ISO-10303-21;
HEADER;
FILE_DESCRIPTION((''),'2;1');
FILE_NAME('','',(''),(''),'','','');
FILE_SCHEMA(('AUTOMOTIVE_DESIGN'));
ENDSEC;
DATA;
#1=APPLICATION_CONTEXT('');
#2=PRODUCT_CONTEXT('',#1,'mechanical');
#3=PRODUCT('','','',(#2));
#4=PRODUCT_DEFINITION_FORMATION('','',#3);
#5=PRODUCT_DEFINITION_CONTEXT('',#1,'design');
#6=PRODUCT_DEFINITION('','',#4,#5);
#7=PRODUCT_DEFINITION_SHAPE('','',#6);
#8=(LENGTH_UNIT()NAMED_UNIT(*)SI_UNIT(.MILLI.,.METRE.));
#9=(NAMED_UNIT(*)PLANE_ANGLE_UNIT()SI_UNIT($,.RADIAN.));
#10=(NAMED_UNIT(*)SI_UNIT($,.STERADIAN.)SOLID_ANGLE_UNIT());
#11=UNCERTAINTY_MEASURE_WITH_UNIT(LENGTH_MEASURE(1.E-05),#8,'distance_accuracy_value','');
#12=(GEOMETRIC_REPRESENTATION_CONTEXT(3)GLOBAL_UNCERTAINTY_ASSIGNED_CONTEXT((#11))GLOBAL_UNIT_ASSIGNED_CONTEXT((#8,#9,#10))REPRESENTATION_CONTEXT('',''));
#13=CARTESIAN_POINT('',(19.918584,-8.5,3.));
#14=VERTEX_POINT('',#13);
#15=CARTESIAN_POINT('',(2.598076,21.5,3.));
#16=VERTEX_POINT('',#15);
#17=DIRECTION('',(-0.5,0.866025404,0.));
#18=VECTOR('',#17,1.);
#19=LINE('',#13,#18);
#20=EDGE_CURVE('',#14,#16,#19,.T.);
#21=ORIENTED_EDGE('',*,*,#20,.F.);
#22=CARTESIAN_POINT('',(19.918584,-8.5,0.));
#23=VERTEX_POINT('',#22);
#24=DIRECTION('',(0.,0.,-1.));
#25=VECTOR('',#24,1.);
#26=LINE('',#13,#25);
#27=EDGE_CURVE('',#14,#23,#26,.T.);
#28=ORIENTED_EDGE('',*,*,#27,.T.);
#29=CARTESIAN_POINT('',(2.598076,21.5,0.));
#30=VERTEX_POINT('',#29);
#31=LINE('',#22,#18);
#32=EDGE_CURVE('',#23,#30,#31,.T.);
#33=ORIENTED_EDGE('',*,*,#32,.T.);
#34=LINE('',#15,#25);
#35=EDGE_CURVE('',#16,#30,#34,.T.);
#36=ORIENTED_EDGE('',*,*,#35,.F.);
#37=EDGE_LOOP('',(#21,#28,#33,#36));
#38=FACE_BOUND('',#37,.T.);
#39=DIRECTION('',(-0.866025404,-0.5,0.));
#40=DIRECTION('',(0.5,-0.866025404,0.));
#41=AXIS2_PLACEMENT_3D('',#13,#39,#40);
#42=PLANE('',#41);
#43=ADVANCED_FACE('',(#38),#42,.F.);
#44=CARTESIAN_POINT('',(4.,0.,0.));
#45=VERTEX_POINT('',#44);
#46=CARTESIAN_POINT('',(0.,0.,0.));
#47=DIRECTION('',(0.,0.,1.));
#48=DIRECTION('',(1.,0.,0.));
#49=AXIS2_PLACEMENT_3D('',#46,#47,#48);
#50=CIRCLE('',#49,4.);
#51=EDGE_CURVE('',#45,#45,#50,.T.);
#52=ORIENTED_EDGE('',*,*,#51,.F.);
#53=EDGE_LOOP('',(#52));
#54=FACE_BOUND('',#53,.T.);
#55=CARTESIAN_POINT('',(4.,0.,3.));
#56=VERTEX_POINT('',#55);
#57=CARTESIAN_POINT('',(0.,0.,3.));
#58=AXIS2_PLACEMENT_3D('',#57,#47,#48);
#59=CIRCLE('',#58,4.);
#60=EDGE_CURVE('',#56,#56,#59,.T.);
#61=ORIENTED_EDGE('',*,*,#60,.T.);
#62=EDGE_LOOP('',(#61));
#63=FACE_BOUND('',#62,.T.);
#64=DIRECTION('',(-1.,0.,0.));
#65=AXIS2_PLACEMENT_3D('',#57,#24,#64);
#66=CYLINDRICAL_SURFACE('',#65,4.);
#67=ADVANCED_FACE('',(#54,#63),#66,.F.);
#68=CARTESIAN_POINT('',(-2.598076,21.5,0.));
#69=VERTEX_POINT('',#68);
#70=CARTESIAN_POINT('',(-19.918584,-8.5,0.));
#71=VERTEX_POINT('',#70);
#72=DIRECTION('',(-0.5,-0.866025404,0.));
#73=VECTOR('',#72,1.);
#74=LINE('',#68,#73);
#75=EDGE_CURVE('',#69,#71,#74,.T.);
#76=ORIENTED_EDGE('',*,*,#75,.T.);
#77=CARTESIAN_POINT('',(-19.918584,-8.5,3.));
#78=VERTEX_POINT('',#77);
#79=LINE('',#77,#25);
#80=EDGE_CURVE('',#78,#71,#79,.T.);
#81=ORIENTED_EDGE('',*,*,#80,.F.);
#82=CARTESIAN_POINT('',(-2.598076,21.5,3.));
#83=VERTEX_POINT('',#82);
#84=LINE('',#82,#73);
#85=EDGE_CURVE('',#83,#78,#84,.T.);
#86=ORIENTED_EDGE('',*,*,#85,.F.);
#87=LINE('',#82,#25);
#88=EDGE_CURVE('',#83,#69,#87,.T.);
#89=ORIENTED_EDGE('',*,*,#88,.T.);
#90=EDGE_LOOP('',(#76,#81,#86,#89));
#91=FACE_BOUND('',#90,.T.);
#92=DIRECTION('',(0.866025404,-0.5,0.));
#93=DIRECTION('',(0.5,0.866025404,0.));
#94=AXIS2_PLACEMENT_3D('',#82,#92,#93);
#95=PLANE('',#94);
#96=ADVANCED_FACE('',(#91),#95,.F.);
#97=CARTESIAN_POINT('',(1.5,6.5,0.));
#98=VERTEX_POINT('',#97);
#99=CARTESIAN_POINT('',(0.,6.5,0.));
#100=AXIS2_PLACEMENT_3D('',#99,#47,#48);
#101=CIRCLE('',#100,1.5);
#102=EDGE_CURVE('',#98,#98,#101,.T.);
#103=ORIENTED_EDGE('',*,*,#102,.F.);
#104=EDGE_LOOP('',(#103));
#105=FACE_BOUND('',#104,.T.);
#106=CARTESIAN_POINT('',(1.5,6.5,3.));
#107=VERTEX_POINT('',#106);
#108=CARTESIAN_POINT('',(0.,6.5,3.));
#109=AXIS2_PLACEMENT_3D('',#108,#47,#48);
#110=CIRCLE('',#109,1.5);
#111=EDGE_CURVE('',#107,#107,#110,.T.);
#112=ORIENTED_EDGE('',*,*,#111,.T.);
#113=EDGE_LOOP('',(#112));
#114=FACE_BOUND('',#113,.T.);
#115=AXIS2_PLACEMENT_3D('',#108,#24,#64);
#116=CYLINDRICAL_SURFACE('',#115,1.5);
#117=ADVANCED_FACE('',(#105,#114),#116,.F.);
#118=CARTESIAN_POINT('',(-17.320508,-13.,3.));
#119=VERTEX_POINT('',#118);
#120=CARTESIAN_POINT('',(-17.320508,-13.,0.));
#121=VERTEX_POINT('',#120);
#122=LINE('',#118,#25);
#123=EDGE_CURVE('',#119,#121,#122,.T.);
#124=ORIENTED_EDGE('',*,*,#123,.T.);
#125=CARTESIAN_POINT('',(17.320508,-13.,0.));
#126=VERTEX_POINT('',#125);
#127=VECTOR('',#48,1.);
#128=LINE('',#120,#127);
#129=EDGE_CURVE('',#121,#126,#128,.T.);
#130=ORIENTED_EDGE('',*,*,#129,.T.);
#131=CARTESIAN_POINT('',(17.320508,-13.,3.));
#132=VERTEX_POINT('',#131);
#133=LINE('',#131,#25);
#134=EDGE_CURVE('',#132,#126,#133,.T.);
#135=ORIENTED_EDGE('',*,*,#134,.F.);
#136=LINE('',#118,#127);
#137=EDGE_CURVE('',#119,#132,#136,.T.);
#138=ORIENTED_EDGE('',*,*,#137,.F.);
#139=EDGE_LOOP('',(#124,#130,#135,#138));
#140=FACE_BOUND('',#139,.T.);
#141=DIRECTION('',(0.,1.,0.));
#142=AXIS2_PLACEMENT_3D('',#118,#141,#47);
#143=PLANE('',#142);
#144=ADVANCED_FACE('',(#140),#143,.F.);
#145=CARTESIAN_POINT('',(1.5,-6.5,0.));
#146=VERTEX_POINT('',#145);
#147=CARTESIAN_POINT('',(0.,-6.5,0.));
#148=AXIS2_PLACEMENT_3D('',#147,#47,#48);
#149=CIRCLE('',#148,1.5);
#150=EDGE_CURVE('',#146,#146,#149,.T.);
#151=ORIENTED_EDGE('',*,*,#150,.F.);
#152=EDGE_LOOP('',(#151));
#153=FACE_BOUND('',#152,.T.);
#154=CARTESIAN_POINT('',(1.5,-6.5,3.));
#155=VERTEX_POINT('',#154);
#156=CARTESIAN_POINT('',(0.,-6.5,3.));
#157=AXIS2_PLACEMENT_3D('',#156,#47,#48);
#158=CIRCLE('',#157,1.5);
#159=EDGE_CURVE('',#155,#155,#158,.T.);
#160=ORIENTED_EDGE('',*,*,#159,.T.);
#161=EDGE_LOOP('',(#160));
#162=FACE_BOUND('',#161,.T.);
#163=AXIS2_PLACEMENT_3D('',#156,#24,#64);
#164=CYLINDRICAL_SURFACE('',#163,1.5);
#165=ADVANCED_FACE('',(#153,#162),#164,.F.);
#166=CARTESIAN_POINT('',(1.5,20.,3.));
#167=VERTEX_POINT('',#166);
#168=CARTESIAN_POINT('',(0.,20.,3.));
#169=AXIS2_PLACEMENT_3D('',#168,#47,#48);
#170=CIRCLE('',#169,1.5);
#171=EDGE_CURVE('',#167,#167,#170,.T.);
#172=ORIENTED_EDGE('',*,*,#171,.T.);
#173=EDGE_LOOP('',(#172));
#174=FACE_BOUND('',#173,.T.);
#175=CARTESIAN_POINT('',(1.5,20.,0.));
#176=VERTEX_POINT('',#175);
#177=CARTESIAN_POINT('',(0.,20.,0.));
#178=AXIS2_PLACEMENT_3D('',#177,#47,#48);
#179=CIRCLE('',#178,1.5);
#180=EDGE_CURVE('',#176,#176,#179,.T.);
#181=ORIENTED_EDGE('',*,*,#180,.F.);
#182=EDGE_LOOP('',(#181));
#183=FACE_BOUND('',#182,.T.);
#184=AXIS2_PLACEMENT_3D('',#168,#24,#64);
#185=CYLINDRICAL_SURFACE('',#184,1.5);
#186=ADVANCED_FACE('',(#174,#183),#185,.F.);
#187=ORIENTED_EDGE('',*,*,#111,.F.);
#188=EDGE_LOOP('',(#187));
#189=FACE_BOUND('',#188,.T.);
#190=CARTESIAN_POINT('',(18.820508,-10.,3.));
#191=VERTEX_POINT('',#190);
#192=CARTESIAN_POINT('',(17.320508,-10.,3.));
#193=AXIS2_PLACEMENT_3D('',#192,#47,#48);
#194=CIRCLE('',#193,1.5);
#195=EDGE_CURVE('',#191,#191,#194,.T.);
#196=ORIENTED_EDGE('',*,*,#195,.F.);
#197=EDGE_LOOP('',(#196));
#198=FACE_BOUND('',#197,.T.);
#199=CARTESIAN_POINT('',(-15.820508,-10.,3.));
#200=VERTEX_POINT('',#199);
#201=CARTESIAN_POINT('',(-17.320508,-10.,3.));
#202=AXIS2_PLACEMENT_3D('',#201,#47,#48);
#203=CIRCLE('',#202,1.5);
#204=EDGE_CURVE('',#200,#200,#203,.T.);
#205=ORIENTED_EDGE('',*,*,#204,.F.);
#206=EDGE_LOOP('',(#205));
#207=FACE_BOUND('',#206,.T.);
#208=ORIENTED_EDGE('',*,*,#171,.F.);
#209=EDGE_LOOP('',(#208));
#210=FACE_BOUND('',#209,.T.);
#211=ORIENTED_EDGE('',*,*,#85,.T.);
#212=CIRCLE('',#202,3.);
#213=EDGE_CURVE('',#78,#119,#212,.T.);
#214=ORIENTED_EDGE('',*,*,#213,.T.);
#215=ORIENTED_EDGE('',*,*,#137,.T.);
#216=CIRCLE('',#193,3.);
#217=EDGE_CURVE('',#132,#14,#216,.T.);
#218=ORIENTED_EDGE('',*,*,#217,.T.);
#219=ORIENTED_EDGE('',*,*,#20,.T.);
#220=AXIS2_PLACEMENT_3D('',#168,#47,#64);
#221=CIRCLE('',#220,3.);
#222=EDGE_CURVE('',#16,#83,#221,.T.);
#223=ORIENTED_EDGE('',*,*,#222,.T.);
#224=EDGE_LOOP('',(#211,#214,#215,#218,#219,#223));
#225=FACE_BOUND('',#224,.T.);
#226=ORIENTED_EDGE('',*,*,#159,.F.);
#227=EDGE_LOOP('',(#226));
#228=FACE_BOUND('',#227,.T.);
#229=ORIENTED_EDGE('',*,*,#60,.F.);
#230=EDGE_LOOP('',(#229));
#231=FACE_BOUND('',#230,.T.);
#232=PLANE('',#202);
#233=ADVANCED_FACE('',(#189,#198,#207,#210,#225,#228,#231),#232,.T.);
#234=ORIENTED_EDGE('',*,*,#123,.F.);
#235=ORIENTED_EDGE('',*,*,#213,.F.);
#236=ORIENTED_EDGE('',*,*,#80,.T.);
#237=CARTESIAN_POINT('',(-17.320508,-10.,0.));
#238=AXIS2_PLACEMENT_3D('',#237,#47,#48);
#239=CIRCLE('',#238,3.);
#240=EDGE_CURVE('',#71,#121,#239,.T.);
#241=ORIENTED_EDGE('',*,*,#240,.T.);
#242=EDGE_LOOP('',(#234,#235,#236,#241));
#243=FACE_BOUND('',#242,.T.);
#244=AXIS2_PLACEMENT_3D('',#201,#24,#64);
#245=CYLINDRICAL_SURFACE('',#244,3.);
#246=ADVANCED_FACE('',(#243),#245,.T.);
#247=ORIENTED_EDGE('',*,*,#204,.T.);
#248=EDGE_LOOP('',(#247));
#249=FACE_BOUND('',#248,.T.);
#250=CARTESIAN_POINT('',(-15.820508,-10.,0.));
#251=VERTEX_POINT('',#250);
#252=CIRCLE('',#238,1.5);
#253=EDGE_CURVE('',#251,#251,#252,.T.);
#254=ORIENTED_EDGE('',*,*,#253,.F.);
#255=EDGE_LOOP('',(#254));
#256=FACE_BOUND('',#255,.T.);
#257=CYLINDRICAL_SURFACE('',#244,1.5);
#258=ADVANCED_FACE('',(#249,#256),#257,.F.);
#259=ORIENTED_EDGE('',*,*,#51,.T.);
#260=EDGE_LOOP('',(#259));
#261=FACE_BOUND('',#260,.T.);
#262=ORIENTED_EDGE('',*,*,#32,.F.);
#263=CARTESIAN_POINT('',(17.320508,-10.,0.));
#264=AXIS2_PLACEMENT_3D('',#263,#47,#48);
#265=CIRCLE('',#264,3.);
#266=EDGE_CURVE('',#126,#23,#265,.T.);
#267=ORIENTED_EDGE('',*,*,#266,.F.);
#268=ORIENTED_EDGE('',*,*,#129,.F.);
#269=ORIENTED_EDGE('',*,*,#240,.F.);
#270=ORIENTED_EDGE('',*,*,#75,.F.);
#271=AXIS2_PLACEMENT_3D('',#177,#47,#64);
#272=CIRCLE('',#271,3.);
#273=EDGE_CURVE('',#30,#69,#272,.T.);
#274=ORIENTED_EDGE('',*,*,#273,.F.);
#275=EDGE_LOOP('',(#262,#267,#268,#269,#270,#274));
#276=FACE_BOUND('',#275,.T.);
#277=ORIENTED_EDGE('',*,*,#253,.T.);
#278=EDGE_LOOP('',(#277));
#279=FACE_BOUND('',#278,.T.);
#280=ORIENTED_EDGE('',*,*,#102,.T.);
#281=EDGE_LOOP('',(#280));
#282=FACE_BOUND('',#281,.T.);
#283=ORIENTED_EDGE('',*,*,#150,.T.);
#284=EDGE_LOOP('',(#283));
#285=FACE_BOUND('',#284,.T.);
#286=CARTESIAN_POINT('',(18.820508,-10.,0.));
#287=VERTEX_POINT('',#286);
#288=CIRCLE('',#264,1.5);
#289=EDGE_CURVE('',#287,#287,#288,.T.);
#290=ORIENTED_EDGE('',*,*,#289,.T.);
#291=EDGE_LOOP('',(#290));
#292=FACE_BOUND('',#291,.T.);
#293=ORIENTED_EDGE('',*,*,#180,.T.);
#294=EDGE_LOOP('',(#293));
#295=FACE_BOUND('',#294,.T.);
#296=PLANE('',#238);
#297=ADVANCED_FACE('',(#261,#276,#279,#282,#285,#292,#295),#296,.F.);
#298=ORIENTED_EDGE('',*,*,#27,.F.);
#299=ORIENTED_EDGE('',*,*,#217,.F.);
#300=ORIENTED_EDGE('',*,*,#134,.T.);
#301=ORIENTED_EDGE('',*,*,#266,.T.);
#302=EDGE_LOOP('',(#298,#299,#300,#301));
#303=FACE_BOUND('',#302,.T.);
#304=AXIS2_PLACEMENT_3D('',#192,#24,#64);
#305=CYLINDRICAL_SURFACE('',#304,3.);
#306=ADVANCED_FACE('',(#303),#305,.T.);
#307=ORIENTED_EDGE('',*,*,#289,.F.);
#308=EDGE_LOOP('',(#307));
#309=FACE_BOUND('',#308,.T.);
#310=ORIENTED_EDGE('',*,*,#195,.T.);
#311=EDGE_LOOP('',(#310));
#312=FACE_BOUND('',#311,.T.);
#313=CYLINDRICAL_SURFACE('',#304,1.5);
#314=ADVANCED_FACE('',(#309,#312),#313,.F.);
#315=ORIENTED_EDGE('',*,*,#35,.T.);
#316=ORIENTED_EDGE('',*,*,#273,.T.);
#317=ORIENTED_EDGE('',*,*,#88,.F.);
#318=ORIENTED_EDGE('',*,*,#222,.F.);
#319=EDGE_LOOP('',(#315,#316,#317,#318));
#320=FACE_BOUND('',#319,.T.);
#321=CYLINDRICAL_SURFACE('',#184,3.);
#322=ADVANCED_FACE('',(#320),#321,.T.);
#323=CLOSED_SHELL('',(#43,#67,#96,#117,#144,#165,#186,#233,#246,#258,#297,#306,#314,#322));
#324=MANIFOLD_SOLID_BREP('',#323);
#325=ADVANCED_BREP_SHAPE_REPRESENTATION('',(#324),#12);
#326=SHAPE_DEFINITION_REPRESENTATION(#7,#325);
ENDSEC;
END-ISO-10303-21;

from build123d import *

# Parameters (mm, degrees)
SKETCH_1_R      = 1.5
SKETCH_1_R_2    = 4
EXTRUDE_1_DEPTH = 3


with BuildPart() as part:
    # 草图1 → 凸台-拉伸1 (new body)
    with BuildSketch(Plane.XY):
        with BuildLine():
            Line((-2.598076211, 21.5), (-19.918584287, -8.5))
            ThreePointArc((-19.918584287, -8.5), (-19.918584287, -11.5), (-17.320508076, -13))
            Line((-17.320508076, -13), (17.320508076, -13))
            ThreePointArc((17.320508076, -13), (19.918584287, -11.5), (19.918584287, -8.5))
            Line((19.918584287, -8.5), (2.598076211, 21.5))
            ThreePointArc((2.598076211, 21.5), (0, 23), (-2.598076211, 21.5))
        make_face()
        with Locations((-17.320508076, -10)):
            Circle(SKETCH_1_R, mode=Mode.SUBTRACT)
        with Locations((0, 20)):
            Circle(SKETCH_1_R, mode=Mode.SUBTRACT)
        with Locations((17.320508076, -10)):
            Circle(SKETCH_1_R, mode=Mode.SUBTRACT)
        Circle(SKETCH_1_R_2, mode=Mode.SUBTRACT)
        with Locations((0, 6.5)):
            Circle(SKETCH_1_R, mode=Mode.SUBTRACT)
        with Locations((0, -6.5)):
            Circle(SKETCH_1_R, mode=Mode.SUBTRACT)
    extrude(amount=EXTRUDE_1_DEPTH)


solid = part.part
